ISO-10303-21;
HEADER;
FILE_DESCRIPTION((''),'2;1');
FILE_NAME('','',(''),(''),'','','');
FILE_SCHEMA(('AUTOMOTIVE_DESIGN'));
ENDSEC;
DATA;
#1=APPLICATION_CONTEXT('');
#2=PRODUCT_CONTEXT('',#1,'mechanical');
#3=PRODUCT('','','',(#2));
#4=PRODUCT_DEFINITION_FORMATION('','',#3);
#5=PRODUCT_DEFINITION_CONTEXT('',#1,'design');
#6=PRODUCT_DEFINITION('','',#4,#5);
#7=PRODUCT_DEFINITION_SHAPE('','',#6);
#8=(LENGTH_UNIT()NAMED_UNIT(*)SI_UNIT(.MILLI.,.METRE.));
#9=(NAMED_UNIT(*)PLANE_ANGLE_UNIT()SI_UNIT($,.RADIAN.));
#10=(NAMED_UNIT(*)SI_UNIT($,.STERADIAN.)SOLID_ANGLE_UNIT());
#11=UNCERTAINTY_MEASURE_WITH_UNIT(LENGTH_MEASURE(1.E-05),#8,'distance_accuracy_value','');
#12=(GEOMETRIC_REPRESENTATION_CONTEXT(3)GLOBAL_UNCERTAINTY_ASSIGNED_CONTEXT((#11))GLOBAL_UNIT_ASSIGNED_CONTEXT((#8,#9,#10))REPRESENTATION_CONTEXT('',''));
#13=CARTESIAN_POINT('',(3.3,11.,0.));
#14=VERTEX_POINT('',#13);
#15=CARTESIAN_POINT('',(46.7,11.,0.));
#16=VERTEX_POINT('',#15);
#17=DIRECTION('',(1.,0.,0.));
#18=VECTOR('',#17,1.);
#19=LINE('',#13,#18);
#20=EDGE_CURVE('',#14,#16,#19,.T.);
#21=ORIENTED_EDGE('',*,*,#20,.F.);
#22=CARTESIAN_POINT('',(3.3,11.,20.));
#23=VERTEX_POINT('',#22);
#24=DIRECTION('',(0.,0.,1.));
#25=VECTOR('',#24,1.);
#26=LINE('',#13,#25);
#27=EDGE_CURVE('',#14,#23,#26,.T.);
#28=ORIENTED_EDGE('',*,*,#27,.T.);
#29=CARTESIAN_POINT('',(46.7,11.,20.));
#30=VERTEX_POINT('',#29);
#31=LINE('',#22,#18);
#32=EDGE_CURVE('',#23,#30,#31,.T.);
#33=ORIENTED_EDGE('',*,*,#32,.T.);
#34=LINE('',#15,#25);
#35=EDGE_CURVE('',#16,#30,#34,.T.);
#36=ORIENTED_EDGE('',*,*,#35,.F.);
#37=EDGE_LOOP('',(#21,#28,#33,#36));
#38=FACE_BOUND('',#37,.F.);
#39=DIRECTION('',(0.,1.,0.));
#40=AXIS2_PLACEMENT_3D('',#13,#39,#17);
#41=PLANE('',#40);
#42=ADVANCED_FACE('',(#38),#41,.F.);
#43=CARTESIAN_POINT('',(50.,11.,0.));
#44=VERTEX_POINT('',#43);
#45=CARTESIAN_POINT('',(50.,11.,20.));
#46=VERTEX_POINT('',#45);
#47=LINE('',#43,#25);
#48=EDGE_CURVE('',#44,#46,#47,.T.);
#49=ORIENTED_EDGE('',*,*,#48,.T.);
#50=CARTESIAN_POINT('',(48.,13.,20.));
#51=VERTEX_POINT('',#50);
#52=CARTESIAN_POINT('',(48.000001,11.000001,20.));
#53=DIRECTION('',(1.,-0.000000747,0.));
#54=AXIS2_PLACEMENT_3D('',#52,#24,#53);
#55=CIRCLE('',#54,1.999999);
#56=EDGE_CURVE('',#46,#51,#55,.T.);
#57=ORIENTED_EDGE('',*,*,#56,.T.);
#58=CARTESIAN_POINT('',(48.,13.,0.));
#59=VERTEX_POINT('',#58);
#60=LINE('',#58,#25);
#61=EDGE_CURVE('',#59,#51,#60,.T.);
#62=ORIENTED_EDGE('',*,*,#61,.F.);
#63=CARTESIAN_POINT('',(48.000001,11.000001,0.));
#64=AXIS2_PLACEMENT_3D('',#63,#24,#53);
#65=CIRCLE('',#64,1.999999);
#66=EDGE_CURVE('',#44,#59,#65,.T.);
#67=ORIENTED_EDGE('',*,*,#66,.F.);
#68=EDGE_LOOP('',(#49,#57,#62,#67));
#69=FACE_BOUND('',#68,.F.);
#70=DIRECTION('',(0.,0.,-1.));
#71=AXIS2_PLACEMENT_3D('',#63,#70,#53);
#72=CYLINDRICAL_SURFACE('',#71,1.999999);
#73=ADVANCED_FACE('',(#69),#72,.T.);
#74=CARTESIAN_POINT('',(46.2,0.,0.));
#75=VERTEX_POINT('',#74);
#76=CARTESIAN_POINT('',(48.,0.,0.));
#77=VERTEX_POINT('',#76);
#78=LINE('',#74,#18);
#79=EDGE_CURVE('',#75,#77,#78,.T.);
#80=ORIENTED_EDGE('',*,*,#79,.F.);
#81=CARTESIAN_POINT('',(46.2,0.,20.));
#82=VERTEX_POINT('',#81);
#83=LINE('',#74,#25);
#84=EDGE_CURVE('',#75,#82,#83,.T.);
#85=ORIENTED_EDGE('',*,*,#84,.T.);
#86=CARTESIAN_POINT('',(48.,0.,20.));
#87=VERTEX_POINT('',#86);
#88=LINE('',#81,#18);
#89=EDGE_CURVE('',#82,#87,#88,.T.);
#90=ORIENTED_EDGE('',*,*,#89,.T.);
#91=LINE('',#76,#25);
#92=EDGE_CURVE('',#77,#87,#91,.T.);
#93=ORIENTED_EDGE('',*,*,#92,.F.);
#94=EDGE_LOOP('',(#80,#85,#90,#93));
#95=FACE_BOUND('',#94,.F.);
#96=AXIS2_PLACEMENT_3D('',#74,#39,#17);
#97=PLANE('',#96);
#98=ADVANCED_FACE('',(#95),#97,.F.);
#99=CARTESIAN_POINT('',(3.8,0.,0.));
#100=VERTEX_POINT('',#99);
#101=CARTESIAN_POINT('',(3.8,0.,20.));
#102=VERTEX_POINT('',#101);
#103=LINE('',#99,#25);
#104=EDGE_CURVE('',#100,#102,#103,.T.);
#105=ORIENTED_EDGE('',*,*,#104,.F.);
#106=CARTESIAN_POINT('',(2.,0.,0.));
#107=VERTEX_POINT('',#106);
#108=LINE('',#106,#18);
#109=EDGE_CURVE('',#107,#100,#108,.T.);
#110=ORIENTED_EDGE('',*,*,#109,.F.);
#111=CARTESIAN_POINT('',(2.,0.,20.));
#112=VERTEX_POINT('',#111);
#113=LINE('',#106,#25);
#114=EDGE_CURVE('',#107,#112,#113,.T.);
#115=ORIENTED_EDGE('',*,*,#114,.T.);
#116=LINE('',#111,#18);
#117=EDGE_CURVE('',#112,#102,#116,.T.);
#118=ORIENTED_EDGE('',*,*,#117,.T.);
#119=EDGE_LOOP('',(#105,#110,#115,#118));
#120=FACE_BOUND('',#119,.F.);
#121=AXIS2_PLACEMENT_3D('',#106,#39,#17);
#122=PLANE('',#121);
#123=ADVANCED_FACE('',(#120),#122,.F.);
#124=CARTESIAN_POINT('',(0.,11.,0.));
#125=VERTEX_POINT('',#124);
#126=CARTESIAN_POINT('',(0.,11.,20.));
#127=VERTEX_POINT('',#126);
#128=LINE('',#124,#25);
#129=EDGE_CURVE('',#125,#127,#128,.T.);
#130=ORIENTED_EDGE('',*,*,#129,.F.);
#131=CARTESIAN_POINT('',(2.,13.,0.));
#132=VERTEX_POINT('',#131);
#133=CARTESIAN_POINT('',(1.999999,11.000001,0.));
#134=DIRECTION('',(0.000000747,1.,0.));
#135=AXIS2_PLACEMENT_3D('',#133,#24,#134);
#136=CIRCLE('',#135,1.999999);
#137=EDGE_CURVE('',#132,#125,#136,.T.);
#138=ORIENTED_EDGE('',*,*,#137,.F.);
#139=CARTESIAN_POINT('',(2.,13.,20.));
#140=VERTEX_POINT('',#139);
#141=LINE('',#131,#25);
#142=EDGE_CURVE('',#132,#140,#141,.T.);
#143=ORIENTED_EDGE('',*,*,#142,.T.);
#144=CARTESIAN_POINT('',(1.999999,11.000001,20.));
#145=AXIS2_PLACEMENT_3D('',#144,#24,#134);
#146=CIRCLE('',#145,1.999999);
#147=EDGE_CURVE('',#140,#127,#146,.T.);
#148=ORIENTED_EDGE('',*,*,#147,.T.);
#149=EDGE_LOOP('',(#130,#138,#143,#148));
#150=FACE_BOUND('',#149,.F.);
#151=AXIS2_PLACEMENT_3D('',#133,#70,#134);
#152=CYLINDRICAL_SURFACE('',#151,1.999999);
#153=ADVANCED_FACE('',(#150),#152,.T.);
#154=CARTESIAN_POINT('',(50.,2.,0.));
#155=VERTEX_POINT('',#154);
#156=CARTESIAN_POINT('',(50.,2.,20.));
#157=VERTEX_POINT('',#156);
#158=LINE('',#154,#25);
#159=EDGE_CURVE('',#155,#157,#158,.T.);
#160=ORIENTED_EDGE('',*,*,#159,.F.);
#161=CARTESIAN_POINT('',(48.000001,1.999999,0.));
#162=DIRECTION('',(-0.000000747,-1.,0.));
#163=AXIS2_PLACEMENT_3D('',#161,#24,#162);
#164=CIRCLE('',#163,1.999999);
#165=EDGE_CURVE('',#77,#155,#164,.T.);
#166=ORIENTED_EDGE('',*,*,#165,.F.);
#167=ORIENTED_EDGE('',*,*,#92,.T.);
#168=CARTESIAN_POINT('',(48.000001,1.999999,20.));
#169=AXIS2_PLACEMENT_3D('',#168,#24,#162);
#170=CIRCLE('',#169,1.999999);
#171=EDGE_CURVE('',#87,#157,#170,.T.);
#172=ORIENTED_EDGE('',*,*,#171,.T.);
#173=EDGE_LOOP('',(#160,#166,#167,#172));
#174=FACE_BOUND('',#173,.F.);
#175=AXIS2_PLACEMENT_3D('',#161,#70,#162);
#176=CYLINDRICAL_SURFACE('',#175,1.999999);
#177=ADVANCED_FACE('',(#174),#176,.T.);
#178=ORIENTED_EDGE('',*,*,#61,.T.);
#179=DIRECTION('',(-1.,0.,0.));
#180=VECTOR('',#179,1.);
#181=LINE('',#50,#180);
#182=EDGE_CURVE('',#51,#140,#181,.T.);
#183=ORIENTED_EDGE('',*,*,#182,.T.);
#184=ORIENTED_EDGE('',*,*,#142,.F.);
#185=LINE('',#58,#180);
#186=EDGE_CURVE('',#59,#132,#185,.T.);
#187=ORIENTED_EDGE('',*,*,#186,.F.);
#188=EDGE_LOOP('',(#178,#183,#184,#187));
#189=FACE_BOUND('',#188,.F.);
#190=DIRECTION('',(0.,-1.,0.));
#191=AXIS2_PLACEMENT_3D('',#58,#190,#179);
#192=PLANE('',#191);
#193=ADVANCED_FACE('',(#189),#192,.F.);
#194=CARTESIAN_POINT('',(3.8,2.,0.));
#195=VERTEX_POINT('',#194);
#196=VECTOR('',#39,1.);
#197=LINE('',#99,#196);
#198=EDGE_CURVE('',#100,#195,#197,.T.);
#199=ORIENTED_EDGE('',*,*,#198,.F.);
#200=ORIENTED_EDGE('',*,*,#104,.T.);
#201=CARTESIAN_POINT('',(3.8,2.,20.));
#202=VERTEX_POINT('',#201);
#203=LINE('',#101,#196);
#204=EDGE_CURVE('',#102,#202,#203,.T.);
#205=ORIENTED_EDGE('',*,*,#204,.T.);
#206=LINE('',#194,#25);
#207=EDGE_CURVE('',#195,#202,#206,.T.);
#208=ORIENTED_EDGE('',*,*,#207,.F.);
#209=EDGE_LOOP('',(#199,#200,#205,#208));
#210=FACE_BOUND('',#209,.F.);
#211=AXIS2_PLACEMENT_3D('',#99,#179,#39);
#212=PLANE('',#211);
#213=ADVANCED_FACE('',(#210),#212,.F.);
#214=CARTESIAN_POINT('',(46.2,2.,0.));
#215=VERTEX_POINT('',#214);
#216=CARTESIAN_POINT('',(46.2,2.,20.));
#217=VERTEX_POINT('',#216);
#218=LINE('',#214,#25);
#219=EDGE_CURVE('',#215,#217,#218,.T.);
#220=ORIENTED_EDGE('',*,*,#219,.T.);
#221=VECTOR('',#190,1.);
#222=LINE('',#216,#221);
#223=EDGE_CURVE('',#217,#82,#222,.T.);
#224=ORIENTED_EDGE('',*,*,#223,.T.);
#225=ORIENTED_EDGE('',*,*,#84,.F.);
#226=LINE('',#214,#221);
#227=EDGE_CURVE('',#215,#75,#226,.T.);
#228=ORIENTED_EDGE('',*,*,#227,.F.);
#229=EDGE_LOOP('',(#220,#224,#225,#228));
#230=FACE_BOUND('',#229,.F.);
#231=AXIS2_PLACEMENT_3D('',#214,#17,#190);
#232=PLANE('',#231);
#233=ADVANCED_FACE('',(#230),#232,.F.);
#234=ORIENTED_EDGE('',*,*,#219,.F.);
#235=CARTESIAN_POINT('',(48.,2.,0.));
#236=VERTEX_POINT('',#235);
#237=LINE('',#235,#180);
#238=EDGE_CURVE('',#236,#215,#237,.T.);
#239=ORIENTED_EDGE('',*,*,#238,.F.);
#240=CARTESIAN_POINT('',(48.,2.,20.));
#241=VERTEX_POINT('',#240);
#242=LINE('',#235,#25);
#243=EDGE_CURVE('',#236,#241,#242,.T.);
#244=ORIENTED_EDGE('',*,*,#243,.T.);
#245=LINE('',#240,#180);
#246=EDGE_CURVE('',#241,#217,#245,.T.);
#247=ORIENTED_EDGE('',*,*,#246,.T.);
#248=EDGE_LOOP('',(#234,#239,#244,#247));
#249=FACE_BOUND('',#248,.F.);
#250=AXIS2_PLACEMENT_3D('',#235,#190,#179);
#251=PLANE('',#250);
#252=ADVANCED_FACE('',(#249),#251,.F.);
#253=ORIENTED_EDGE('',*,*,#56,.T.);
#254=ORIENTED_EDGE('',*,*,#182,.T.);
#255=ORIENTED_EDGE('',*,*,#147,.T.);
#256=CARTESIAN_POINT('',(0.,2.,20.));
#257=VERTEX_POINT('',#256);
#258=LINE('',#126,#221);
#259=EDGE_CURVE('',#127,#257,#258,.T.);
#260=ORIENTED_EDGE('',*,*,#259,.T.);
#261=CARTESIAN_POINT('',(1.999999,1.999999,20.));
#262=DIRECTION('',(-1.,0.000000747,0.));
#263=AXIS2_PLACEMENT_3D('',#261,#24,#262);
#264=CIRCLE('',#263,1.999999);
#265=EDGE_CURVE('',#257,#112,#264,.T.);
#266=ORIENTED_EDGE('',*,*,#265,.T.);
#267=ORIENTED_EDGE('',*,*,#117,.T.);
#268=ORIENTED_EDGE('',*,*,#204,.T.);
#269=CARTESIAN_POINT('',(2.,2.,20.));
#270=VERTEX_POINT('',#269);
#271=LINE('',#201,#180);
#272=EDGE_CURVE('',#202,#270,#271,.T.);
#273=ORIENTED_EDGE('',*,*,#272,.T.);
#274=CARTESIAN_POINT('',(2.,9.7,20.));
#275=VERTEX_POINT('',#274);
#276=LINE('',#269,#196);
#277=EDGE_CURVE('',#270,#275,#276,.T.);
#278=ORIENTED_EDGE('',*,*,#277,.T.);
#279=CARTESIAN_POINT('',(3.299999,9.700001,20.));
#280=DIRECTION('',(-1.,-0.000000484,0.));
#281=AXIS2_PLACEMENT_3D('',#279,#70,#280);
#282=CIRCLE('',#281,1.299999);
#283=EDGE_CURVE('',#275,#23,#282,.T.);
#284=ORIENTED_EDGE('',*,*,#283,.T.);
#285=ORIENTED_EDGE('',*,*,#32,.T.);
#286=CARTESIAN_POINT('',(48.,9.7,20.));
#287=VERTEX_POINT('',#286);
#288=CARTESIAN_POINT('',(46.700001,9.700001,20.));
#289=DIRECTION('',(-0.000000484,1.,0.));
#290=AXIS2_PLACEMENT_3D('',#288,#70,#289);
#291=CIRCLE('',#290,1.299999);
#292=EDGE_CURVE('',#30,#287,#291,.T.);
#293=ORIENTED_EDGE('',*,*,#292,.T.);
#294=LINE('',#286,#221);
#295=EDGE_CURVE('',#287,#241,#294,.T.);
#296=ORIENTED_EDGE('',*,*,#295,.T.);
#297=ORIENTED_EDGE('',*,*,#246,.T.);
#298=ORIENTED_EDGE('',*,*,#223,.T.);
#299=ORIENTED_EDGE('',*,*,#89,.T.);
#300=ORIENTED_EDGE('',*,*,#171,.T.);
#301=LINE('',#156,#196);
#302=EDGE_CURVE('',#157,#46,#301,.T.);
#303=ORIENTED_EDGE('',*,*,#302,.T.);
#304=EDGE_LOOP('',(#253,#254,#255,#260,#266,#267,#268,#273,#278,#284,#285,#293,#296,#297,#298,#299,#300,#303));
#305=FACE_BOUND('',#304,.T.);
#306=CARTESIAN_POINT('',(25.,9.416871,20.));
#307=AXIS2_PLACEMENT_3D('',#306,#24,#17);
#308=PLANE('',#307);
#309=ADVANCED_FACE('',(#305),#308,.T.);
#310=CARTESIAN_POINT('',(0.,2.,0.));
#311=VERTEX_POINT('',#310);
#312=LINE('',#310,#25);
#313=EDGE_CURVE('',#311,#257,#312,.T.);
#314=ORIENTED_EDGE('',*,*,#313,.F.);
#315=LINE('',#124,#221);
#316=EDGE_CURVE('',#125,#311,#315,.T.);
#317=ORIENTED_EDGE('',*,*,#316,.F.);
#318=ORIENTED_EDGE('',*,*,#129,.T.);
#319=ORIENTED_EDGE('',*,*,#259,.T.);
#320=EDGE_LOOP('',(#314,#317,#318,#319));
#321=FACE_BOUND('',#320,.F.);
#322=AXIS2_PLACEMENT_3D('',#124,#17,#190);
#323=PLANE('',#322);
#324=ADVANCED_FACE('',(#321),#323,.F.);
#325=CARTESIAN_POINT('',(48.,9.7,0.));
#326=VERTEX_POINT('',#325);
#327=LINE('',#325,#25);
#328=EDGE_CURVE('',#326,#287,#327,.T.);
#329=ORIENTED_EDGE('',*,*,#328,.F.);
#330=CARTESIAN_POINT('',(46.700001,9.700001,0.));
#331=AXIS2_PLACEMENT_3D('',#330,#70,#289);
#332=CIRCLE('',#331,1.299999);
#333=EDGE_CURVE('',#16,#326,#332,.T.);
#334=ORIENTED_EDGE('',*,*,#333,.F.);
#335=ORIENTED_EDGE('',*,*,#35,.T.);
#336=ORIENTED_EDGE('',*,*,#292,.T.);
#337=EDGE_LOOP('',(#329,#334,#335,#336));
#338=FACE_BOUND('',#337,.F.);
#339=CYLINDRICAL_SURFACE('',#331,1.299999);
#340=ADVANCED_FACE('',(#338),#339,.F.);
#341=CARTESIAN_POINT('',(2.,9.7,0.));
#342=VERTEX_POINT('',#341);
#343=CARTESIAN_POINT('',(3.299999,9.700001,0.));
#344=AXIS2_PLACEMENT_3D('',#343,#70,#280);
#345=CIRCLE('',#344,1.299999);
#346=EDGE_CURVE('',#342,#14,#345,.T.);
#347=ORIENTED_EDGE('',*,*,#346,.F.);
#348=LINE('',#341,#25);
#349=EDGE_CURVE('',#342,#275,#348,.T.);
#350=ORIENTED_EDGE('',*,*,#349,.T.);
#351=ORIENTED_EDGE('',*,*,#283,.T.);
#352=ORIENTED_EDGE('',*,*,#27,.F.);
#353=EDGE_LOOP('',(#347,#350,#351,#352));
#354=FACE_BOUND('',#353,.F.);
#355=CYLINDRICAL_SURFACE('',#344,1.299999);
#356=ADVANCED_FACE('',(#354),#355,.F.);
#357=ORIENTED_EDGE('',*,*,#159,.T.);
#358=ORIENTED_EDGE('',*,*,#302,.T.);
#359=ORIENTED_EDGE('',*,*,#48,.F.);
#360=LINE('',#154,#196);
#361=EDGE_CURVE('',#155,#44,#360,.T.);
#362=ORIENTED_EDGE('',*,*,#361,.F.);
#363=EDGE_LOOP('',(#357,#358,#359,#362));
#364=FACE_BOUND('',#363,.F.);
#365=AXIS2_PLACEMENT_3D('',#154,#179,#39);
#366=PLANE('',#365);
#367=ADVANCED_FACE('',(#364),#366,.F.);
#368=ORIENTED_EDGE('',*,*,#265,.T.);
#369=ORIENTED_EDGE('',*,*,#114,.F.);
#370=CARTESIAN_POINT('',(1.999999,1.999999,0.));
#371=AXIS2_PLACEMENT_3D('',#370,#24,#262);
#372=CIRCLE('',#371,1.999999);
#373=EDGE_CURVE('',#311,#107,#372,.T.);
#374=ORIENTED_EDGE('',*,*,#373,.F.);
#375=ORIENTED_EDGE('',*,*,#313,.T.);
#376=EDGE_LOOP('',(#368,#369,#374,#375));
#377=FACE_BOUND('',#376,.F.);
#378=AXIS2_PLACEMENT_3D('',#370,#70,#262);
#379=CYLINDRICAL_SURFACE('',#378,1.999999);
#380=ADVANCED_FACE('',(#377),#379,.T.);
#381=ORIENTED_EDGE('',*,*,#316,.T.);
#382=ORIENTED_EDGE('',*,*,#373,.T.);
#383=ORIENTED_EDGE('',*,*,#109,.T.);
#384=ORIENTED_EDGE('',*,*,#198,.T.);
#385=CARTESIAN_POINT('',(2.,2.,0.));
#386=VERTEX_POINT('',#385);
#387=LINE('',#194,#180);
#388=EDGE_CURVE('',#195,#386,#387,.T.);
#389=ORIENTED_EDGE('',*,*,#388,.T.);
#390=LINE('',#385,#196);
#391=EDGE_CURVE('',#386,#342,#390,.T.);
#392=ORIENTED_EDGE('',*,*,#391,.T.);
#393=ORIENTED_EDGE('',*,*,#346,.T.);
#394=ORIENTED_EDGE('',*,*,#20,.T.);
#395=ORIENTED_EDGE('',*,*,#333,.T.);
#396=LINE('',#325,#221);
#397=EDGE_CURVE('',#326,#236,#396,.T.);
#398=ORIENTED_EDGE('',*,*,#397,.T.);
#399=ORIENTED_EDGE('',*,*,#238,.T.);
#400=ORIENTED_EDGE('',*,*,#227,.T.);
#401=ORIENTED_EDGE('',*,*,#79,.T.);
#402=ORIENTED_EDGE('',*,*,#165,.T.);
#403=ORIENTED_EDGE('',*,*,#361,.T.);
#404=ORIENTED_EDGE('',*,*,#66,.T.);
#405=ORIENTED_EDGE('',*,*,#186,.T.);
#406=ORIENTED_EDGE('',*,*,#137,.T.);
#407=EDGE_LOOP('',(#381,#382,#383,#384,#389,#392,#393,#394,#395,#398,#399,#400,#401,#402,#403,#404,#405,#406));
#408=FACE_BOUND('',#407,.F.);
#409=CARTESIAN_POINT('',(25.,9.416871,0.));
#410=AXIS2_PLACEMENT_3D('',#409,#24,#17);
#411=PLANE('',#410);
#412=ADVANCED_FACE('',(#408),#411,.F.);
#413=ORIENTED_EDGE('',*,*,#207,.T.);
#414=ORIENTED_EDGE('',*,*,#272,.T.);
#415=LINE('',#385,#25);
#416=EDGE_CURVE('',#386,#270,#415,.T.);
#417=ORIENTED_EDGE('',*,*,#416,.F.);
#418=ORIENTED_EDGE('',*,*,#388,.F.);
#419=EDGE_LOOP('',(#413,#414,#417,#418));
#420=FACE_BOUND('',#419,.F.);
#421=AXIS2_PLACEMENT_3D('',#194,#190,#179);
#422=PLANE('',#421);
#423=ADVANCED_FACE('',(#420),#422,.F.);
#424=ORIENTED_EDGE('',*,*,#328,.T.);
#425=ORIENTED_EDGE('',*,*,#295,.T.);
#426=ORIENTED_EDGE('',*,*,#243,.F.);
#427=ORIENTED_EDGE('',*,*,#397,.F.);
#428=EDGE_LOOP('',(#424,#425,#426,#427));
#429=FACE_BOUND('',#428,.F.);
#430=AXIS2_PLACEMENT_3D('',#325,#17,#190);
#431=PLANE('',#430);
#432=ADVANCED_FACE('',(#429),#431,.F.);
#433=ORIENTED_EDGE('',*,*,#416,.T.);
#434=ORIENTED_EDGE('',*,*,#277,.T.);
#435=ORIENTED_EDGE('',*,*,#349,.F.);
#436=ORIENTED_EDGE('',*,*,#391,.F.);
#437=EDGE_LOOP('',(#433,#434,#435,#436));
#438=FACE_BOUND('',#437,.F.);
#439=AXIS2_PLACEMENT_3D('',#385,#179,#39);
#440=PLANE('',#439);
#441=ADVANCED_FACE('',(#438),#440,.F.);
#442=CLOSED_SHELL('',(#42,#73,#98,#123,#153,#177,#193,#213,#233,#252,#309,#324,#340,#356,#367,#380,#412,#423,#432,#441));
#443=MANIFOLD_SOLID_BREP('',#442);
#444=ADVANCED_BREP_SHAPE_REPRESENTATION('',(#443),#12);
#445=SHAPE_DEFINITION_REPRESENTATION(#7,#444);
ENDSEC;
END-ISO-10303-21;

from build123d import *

# Parameters (mm, degrees)
F1_DEPTH = 20


with BuildPart() as f1:
    # F0 (on Top) → F1 (new body)
    with BuildSketch(Plane.XY):
        with BuildLine():
            ThreePointArc((0, 2), (0.585786, 0.585786), (2, 0))
            Line((2, 0), (3.8, 0))
            Line((3.8, 0), (3.8, 2))
            Line((3.8, 2), (2, 2))
            Line((2, 2), (2, 9.7))
            ThreePointArc((2, 9.7), (2.380761, 10.619239), (3.3, 11))
            Line((3.3, 11), (46.7, 11))
            ThreePointArc((46.7, 11), (47.619239, 10.619239), (48, 9.7))
            Line((48, 9.7), (48, 2))
            Line((48, 2), (46.2, 2))
            Line((46.2, 2), (46.2, 0))
            Line((46.2, 0), (48, 0))
            ThreePointArc((48, 0), (49.414214, 0.585786), (50, 2))
            Line((50, 2), (50, 11))
            ThreePointArc((50, 11), (49.414214, 12.414214), (48, 13))
            Line((48, 13), (2, 13))
            ThreePointArc((2, 13), (0.585786, 12.414214), (0, 11))
            Line((0, 11), (0, 2))
        make_face()
    extrude(amount=F1_DEPTH)


solid = f1.part
